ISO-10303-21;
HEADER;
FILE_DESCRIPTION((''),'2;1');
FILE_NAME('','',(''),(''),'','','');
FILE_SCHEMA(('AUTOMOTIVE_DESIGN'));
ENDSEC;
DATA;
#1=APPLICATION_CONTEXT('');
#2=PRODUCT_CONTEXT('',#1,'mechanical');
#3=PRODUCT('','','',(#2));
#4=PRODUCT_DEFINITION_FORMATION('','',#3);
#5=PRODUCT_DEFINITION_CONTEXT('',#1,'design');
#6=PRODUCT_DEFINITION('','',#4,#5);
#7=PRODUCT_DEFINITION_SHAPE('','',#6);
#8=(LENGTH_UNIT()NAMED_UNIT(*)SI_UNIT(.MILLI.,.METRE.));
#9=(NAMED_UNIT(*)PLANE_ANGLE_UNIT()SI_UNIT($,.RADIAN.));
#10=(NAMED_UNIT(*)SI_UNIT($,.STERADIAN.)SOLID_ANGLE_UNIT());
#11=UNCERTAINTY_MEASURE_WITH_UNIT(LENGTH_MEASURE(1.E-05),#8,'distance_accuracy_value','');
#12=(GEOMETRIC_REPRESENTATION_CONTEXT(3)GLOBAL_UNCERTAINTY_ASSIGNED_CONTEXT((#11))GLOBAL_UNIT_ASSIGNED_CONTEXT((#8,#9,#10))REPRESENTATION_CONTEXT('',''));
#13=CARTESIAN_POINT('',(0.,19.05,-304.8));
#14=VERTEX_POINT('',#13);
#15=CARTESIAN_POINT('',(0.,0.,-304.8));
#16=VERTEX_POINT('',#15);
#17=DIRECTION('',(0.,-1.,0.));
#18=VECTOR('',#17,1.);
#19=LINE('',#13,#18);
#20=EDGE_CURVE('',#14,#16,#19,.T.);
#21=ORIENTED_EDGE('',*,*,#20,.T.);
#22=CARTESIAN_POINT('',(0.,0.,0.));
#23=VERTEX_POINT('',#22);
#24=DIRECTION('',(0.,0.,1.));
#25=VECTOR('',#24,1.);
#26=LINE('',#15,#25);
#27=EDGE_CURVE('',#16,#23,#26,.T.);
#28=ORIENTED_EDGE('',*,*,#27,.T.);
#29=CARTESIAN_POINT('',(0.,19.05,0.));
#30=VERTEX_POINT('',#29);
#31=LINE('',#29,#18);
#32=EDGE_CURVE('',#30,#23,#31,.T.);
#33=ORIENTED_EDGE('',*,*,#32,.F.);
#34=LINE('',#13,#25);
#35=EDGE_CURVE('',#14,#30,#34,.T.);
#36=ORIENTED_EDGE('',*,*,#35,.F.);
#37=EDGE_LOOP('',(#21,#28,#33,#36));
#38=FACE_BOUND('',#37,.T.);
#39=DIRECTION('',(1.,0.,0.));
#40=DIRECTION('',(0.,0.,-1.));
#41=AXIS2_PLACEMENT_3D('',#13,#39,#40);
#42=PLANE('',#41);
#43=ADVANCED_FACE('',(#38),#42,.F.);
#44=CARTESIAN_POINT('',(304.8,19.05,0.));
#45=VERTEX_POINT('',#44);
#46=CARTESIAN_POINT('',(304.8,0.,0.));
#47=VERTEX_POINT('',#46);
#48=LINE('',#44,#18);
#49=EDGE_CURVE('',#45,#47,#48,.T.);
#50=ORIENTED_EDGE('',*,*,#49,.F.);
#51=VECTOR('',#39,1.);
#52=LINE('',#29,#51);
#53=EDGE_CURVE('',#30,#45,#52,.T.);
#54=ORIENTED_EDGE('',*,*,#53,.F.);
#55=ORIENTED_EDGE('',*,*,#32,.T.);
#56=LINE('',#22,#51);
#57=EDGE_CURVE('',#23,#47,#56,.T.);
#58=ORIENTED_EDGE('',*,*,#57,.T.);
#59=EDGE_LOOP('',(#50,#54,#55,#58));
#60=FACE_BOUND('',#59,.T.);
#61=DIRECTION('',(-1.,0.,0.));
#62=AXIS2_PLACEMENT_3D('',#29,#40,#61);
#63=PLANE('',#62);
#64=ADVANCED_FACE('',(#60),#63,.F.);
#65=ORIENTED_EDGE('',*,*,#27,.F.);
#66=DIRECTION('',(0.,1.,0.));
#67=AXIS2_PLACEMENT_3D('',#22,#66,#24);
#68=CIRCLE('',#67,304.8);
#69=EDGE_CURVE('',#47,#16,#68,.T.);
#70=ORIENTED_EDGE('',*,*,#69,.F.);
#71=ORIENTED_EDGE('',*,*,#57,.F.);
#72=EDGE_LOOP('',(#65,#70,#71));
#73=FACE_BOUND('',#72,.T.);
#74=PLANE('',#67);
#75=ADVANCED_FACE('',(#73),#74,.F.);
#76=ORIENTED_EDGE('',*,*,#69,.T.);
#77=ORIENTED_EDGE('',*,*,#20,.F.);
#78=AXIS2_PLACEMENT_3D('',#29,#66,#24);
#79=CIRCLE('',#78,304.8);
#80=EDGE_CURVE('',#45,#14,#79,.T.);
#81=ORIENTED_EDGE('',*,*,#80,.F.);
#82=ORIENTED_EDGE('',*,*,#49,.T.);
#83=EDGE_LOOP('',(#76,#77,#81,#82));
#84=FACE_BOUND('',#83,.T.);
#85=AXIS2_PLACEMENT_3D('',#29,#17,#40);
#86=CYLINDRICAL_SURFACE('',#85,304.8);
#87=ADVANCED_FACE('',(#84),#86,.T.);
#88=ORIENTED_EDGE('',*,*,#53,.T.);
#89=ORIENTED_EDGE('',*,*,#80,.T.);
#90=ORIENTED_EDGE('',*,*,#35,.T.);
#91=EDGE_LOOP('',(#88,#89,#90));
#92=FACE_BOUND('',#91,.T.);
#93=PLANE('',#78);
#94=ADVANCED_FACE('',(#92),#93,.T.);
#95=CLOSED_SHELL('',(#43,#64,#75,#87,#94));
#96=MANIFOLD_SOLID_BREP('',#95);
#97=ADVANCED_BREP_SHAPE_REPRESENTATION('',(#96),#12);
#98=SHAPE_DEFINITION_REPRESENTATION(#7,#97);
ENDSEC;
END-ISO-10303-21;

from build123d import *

# Parameters (mm, degrees)
BOSS_EXTRUDE1_DEPTH = 19.05


with BuildPart() as part:
    # Sketch1 → Boss-Extrude1 (new body)
    with BuildSketch(Plane(origin=(0, 0, 0), x_dir=(1, 0, 0), z_dir=(0, 1, 0))):
        with BuildLine():
            Line((0, 304.8), (0, 0))
            Line((0, 0), (304.8, 0))
            ThreePointArc((304.8, 0), (215.526146906, 215.526146906), (0, 304.8))
        make_face()
    extrude(amount=BOSS_EXTRUDE1_DEPTH)


solid = part.part
